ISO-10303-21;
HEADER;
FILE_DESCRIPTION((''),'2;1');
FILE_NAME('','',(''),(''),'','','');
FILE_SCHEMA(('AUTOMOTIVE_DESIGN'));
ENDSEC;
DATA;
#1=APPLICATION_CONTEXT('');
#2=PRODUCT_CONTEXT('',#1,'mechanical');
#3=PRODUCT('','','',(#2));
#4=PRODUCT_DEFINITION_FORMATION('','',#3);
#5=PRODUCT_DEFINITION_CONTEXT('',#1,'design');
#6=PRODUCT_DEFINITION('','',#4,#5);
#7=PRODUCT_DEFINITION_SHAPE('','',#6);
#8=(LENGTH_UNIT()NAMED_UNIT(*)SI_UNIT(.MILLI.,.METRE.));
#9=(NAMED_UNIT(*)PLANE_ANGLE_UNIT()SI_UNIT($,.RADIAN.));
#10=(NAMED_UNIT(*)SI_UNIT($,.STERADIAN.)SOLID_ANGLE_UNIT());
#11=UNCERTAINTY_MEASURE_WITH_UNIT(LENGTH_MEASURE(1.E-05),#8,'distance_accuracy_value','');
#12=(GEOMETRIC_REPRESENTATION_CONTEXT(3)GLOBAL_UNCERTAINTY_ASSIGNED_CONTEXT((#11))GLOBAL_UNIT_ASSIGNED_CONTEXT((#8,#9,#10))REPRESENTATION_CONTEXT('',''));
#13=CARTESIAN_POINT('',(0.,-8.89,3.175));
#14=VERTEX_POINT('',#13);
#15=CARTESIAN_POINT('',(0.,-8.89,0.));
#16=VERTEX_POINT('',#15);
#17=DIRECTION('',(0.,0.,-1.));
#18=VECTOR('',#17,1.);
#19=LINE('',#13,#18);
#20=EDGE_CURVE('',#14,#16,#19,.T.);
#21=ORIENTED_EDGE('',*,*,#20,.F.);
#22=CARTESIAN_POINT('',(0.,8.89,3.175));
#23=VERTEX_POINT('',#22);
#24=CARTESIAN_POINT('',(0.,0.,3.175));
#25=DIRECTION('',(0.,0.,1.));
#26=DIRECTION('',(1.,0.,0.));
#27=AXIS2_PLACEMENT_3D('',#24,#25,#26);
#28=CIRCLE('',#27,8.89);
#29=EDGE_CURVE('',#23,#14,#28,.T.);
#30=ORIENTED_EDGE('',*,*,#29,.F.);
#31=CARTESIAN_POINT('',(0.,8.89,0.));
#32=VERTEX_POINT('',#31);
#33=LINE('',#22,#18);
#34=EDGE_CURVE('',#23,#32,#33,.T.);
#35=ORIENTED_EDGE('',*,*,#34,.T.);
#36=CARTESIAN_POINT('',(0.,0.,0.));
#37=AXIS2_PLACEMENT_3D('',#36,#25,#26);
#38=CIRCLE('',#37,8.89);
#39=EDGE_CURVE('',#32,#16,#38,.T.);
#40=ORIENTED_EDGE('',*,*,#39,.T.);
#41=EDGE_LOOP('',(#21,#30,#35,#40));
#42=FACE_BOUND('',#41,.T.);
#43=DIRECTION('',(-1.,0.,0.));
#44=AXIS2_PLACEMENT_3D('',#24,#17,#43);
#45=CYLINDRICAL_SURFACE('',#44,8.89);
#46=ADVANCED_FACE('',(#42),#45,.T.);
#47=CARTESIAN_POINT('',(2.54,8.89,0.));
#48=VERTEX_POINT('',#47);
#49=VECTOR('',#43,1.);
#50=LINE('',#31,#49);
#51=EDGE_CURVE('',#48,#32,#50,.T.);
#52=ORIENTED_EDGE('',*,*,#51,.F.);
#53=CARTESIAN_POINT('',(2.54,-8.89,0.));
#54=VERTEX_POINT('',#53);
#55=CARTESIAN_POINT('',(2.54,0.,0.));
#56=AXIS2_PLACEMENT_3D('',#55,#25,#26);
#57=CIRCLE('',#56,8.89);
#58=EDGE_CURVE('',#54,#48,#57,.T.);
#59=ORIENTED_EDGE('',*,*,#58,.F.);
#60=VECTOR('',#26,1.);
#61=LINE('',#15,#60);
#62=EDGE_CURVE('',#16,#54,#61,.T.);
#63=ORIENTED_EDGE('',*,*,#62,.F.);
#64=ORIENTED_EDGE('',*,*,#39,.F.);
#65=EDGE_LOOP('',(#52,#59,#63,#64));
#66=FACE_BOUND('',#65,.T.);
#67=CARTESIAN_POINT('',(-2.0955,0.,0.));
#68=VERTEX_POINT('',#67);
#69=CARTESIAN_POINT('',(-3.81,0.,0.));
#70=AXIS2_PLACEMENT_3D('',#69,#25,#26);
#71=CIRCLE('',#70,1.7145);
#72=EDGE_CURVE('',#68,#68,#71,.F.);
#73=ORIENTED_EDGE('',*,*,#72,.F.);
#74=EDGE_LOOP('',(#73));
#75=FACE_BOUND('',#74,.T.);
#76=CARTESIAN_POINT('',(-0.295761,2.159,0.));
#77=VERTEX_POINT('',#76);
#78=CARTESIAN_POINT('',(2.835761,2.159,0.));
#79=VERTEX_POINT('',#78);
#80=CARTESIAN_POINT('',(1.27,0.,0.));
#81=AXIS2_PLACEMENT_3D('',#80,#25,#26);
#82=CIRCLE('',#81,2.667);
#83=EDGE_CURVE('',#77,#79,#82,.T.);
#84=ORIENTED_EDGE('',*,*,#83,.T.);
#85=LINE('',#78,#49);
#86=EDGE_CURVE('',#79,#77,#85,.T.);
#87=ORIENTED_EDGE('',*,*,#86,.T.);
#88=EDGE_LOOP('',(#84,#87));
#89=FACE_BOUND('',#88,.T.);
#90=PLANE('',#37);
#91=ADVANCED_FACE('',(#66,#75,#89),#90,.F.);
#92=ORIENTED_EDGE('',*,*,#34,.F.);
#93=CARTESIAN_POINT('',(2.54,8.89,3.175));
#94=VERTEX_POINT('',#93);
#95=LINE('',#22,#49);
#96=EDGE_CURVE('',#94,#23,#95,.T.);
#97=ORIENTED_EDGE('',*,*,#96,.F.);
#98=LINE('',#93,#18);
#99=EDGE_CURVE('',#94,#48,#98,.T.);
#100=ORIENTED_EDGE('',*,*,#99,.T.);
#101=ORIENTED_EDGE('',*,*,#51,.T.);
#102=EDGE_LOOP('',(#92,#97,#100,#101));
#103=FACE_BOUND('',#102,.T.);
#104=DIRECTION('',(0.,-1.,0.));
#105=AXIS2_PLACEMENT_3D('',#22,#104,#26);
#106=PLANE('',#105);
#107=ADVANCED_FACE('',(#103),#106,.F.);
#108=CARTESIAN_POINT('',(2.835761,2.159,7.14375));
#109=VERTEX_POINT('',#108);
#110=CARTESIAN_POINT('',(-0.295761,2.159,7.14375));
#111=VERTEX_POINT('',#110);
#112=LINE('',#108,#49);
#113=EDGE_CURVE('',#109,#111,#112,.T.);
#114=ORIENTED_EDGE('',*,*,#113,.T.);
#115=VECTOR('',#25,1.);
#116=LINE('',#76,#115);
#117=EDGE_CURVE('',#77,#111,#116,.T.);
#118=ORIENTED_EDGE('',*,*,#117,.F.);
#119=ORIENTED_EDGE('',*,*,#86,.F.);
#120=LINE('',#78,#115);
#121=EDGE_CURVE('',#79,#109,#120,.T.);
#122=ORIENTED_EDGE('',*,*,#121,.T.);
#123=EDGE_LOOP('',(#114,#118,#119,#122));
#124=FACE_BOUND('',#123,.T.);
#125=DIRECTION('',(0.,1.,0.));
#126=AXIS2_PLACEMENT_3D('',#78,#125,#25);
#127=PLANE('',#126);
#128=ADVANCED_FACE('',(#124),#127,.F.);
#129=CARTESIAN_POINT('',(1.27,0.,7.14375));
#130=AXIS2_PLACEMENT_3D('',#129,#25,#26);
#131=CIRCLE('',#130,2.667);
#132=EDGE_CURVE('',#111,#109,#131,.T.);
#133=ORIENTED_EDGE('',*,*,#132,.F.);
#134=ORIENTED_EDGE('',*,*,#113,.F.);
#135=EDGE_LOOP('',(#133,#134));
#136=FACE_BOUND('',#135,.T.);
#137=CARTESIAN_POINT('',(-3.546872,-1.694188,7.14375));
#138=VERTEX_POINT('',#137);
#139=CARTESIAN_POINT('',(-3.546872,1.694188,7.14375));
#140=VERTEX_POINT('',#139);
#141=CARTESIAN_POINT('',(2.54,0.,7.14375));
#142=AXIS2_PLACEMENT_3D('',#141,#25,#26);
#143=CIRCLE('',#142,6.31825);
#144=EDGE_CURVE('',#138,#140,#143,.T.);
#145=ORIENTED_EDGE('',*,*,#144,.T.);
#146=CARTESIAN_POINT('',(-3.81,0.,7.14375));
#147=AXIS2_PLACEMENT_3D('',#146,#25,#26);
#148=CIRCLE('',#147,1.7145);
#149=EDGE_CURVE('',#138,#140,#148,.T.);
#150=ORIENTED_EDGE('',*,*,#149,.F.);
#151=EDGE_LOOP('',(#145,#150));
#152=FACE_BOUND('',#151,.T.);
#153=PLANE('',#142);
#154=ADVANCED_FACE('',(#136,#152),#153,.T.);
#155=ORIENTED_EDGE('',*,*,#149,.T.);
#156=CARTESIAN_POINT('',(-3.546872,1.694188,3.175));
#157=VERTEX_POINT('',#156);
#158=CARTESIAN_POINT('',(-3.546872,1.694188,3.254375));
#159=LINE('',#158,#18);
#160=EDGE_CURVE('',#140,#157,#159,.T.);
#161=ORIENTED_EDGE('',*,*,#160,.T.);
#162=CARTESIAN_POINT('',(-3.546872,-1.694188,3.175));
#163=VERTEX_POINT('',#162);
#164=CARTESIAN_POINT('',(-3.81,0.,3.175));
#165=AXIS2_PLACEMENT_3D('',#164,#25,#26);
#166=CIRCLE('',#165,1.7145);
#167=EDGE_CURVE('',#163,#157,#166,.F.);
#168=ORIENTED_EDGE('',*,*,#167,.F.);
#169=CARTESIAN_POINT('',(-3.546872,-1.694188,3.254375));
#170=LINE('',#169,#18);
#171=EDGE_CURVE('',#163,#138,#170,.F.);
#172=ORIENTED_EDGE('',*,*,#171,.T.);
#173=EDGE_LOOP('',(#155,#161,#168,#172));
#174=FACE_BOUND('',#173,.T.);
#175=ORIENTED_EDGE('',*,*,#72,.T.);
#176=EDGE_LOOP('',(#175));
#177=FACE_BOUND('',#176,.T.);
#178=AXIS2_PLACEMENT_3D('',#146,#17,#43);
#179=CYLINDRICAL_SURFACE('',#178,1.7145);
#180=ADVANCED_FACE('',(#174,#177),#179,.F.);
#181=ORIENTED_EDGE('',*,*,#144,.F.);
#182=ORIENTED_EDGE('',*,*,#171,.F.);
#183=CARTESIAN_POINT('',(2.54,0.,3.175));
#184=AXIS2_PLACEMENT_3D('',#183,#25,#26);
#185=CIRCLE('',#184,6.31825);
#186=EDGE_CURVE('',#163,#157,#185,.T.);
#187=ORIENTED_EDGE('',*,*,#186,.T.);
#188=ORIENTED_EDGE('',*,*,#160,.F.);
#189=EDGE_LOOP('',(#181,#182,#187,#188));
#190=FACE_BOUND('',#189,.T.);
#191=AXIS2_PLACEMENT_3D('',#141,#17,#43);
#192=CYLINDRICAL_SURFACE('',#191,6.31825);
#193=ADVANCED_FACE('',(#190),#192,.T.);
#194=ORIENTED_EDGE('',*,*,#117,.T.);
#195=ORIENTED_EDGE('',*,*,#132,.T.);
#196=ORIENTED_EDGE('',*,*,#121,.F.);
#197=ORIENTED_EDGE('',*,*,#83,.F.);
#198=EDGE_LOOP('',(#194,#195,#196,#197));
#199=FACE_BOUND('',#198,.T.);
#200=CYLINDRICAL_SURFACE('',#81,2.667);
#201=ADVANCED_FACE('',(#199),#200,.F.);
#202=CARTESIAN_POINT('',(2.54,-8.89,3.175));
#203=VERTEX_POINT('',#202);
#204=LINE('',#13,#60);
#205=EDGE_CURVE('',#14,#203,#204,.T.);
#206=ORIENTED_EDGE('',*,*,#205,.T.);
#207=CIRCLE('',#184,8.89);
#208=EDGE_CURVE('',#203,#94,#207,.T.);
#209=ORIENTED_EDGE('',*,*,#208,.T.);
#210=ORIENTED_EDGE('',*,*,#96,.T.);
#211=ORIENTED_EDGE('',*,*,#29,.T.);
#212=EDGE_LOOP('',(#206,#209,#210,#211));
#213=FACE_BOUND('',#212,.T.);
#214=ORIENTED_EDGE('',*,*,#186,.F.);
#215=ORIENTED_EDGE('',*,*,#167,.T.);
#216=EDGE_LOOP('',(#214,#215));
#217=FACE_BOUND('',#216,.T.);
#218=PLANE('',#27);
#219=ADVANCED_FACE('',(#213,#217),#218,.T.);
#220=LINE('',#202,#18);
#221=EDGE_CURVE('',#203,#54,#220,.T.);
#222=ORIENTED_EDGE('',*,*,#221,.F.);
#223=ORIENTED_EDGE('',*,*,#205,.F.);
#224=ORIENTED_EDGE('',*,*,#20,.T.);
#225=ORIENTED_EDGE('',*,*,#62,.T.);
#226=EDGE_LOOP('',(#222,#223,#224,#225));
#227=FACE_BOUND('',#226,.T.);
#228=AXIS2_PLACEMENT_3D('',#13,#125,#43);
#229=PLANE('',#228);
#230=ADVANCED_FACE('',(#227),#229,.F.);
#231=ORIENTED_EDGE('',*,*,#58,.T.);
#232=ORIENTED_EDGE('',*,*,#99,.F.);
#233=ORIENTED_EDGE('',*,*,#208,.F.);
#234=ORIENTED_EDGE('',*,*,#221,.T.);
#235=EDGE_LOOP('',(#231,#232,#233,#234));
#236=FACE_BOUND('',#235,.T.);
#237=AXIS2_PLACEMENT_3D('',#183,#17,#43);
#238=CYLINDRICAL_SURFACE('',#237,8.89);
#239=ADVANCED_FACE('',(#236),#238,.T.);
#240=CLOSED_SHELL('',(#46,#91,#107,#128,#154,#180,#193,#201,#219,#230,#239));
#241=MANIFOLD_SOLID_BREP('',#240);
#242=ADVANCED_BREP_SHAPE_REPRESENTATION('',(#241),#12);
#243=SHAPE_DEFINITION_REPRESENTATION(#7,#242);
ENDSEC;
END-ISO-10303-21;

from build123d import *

# Parameters (mm, degrees)
BOSS_EXTRUDE1_DEPTH     = 3.175
SKETCH4_R               = 6.31825
BOSS_EXTRUDE2_DEPTH     = 3.96875
CUT_EXTRUDE1_DEPTH      = 16.014259108
CUT_EXTRUDE1_DEPTH_BACK = 16.014259108
SKETCH2_R               = 0.9
CUT_EXTRUDE2_DEPTH      = 16.014259108
CUT_EXTRUDE2_DEPTH_BACK = 3.81
SKETCH3_R               = 1.7145


with BuildPart() as part:
    # Sketch1 → Boss-Extrude1 (new body)
    with BuildSketch(Plane.XY):
        with BuildLine():
            Line((0, 8.89), (2.54, 8.89))
            ThreePointArc((2.54, 8.89), (11.43, 0), (2.54, -8.89))
            Line((2.54, -8.89), (0, -8.89))
            ThreePointArc((0, -8.89), (-8.89, 0), (0, 8.89))
        make_face()
    extrude(amount=BOSS_EXTRUDE1_DEPTH)

    # Sketch4 → Boss-Extrude2 (add)
    with BuildSketch(Plane.XY.offset(3.175)):
        with Locations((2.54, 0)):
            Circle(SKETCH4_R)
    extrude(amount=BOSS_EXTRUDE2_DEPTH)

    # Sketch2 → Cut-Extrude1 (cut, two sides: drawn at the far end of the back side and taken through both)
    with BuildSketch(Plane.XY.offset(3.175).offset(-CUT_EXTRUDE1_DEPTH_BACK)):
        with Locations((-3.81, 0)):
            Circle(SKETCH2_R)
        with BuildLine():
            Line((2.835761157, 2.159), (-0.295761157, 2.159))
            ThreePointArc((-0.295761157, 2.159), (1.27, -2.667), (2.835761157, 2.159))
        make_face()
    extrude(amount=CUT_EXTRUDE1_DEPTH + CUT_EXTRUDE1_DEPTH_BACK, mode=Mode.SUBTRACT)

    # Sketch3 → Cut-Extrude2 (cut, two sides: drawn at the far end of the back side and taken through both)
    with BuildSketch(Plane.XY.offset(3.175).offset(-CUT_EXTRUDE2_DEPTH_BACK)):
        with Locations(Location((-3.81, 0, 0), (0, 0, 278.828200895))):
            Circle(SKETCH3_R)
    extrude(amount=CUT_EXTRUDE2_DEPTH + CUT_EXTRUDE2_DEPTH_BACK, mode=Mode.SUBTRACT)


solid = part.part
